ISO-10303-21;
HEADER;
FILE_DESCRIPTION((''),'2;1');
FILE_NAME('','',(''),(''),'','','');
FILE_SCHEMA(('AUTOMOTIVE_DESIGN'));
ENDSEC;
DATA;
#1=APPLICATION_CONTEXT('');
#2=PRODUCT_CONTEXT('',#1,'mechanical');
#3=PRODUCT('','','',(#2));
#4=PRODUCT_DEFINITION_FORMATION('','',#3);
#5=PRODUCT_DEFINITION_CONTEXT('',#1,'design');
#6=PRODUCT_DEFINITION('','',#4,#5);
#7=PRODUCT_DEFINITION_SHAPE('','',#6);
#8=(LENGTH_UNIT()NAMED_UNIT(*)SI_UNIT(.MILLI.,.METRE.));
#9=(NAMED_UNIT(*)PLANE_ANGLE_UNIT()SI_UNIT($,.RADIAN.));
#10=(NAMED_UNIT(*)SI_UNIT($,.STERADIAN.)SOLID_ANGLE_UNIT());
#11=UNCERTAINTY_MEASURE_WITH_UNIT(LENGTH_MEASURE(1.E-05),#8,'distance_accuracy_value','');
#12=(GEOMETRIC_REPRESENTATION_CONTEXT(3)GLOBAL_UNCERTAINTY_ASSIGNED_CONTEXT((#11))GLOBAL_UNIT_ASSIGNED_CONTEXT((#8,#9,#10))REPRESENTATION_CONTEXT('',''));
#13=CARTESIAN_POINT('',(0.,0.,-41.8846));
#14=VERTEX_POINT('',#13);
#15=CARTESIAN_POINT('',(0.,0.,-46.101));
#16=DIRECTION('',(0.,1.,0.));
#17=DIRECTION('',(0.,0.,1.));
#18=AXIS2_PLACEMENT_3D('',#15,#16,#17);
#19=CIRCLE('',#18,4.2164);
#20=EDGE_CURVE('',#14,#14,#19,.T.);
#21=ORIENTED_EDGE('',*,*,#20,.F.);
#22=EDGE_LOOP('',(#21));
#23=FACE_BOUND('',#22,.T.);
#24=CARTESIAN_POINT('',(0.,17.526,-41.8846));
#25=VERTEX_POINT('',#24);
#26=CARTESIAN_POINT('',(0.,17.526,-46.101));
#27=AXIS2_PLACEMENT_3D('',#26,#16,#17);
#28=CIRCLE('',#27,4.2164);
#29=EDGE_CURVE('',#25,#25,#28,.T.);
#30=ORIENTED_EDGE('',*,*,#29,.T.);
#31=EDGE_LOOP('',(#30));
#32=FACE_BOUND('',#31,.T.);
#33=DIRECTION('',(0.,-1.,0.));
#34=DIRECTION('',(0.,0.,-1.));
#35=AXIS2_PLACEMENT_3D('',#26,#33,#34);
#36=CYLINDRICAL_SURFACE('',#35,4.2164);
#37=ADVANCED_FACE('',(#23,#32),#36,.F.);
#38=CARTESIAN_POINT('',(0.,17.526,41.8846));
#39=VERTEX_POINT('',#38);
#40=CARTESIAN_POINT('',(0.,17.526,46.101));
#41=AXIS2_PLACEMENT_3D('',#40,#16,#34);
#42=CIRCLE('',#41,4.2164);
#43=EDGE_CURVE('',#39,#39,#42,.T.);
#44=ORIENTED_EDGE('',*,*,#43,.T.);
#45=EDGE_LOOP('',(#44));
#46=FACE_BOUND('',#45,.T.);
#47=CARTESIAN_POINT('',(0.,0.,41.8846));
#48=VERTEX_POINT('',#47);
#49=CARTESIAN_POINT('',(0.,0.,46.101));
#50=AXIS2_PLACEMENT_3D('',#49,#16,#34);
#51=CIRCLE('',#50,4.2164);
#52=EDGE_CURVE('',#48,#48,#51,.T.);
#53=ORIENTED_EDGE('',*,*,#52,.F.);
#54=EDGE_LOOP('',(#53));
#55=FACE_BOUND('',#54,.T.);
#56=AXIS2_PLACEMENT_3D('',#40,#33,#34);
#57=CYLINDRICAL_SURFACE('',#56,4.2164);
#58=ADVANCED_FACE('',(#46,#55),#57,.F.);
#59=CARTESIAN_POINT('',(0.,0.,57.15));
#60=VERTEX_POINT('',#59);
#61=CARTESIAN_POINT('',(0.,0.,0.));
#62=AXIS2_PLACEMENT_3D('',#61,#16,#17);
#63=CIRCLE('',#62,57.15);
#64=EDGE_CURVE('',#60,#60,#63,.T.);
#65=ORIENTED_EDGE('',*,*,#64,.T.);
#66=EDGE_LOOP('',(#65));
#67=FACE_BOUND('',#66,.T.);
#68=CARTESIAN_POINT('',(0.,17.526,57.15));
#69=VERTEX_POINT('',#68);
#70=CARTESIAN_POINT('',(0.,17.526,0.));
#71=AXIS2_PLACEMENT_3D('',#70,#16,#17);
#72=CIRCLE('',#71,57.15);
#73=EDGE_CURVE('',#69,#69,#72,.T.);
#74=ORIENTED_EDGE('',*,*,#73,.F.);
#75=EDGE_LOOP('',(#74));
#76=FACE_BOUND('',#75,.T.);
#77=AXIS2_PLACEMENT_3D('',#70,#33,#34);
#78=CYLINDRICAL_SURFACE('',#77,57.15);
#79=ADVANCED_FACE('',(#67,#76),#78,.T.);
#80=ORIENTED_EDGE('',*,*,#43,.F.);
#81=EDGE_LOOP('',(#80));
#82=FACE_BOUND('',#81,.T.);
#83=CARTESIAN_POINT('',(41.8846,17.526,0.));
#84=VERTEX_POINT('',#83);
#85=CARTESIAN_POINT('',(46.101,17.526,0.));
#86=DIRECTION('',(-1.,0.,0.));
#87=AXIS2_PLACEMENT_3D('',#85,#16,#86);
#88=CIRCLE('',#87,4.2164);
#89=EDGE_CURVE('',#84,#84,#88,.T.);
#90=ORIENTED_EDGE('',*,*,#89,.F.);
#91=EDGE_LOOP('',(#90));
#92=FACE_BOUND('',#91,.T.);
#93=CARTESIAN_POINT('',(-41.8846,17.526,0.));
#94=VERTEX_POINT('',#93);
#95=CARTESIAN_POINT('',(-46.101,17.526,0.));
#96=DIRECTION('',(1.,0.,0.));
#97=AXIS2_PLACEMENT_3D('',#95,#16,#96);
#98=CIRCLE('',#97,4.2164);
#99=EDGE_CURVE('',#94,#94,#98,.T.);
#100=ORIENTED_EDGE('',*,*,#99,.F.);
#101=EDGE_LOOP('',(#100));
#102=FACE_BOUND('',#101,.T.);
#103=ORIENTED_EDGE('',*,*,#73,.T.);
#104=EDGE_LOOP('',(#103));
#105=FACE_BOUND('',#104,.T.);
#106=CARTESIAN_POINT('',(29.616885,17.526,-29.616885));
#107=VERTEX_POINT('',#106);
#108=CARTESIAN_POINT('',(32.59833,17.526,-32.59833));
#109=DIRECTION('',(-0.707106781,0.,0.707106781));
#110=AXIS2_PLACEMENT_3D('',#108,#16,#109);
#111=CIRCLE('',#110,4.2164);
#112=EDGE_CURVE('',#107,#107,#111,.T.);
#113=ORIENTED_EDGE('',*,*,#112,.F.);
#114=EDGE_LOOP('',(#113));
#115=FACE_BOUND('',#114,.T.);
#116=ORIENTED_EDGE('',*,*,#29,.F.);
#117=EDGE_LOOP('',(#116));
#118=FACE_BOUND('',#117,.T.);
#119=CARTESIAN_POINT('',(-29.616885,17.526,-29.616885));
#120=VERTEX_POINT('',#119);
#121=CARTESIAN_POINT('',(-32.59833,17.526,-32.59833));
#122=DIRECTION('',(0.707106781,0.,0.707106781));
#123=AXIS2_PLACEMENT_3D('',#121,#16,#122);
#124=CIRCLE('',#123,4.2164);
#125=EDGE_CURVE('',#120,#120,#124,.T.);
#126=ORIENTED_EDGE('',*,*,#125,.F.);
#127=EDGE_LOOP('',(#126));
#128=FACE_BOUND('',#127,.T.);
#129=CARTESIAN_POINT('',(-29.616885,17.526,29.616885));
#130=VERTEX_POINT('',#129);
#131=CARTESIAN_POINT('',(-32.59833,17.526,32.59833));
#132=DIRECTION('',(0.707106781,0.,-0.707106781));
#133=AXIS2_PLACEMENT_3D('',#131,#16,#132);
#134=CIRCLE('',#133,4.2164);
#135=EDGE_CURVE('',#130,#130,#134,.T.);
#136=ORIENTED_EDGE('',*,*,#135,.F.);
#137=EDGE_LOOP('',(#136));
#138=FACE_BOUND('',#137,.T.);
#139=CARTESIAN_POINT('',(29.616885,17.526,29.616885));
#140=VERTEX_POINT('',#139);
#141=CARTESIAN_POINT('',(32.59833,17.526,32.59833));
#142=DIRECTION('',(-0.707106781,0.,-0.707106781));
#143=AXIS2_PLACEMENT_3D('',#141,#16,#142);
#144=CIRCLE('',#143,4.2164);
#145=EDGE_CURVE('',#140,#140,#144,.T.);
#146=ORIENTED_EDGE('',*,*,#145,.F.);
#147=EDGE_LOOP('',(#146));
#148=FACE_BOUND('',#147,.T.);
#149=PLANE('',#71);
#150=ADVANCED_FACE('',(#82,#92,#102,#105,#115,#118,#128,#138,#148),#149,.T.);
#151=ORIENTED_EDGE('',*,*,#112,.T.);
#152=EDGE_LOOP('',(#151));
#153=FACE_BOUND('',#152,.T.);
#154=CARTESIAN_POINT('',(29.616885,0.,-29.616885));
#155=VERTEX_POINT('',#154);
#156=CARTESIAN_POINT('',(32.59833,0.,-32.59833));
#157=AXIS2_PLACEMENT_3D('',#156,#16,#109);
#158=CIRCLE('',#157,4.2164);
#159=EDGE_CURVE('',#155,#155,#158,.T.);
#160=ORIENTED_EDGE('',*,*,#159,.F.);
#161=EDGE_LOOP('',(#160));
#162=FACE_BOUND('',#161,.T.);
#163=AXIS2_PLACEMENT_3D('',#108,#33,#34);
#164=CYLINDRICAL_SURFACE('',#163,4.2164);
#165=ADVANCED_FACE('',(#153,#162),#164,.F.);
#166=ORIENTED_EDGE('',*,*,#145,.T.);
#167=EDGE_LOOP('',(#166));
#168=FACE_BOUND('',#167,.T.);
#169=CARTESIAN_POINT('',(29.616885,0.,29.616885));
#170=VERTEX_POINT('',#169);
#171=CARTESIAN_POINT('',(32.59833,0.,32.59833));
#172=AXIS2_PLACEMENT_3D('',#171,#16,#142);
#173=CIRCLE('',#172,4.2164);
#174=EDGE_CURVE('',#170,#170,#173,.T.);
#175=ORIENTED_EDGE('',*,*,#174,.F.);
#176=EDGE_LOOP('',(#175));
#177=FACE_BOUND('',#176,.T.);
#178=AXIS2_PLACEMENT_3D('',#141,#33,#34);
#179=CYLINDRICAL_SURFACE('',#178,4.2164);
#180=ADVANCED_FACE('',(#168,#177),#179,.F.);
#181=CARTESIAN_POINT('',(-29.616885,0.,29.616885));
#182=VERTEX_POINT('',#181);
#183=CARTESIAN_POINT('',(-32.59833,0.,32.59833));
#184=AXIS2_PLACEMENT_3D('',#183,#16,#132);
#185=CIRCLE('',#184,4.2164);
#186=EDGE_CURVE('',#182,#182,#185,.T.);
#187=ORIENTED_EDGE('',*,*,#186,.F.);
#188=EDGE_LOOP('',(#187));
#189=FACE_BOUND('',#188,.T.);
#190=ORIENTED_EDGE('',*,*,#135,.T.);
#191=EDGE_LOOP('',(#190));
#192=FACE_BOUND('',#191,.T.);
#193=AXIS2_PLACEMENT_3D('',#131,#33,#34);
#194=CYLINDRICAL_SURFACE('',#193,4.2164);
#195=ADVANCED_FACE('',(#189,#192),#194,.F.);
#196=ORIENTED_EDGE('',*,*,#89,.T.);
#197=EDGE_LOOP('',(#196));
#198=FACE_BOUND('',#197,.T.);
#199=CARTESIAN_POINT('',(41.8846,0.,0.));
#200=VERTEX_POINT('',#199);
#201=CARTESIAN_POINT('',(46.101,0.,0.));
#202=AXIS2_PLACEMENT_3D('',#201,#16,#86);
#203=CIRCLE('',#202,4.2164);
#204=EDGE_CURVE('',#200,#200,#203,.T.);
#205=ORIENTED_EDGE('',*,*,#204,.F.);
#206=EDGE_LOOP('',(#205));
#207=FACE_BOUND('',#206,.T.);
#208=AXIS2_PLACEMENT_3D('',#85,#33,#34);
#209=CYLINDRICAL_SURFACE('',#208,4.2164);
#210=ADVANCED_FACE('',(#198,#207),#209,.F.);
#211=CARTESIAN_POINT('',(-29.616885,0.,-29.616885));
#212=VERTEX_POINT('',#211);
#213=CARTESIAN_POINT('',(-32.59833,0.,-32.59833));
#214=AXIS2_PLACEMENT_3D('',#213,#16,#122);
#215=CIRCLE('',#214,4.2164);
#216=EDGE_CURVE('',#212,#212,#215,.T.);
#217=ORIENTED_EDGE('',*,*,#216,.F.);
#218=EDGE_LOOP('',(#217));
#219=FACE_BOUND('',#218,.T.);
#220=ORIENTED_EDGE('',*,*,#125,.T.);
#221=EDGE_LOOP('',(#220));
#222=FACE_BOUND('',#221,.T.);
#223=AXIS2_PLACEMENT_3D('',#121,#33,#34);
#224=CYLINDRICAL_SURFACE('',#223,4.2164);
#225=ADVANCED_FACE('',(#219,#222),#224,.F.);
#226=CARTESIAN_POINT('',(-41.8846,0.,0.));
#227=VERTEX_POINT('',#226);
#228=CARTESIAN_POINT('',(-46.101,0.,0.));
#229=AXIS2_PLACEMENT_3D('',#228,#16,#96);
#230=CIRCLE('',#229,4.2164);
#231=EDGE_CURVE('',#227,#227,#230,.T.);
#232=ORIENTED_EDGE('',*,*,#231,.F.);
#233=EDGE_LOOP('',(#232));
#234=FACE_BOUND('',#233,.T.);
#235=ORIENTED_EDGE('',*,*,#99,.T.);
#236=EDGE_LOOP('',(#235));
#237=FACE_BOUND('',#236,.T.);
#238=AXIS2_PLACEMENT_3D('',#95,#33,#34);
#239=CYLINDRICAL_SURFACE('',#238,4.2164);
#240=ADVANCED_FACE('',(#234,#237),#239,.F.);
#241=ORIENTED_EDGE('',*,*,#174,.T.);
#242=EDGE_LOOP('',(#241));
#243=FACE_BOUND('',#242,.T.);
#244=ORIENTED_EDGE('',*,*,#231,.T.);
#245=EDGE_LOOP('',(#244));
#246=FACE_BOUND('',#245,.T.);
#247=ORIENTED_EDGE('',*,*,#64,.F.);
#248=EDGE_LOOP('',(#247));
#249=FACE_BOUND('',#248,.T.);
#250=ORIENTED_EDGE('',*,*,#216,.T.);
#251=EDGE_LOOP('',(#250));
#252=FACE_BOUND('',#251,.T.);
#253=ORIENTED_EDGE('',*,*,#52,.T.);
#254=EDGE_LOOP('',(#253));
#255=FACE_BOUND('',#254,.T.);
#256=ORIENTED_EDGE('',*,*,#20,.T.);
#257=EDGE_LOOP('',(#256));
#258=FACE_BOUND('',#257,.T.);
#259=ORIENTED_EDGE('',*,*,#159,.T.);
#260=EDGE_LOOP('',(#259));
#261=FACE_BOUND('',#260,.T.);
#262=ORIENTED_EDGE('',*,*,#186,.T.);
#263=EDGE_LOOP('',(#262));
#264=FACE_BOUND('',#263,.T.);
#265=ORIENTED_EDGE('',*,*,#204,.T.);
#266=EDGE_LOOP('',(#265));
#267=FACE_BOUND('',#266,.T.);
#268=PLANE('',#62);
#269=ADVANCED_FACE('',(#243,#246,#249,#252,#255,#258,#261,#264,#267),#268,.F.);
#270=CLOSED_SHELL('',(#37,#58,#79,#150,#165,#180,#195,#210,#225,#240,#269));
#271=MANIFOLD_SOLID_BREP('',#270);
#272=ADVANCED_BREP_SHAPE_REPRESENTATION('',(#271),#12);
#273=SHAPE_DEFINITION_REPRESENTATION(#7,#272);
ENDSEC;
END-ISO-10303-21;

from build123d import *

# Parameters (mm, degrees)
SKETCH1_R          = 57.15
EXTRUDE1_DEPTH     = 17.526
SKETCH2_R          = 4.2164
CUT_EXTRUDE2_DEPTH = 17.526
CIRPATTERN1_COUNT  = 8


with BuildPart() as part:
    # Sketch1 → Extrude1 (new body)
    with BuildSketch(Plane(origin=(0, 0, 0), x_dir=(1, 0, 0), z_dir=(0, 1, 0))):
        Circle(SKETCH1_R)
    extrude(amount=EXTRUDE1_DEPTH)

    # Sketch2 → Cut-Extrude2 (cut)
    with BuildSketch(Plane(origin=(0, 0, 0), x_dir=(1, 0, 0), z_dir=(0, 1, 0))):
        with Locations((0, 46.101)):
            Circle(SKETCH2_R)
    cut_extrude2 = extrude(amount=CUT_EXTRUDE2_DEPTH, mode=Mode.SUBTRACT)

    # CirPattern1: Cut-Extrude2 ×8 about axis
    cirpattern1_axis = Axis((0, 58.676993495, 0), (0, -1, 0))
    for i in range(1, CIRPATTERN1_COUNT):
        add(cut_extrude2.rotate(cirpattern1_axis, i * 360 / CIRPATTERN1_COUNT), mode=Mode.SUBTRACT)


solid = part.part
